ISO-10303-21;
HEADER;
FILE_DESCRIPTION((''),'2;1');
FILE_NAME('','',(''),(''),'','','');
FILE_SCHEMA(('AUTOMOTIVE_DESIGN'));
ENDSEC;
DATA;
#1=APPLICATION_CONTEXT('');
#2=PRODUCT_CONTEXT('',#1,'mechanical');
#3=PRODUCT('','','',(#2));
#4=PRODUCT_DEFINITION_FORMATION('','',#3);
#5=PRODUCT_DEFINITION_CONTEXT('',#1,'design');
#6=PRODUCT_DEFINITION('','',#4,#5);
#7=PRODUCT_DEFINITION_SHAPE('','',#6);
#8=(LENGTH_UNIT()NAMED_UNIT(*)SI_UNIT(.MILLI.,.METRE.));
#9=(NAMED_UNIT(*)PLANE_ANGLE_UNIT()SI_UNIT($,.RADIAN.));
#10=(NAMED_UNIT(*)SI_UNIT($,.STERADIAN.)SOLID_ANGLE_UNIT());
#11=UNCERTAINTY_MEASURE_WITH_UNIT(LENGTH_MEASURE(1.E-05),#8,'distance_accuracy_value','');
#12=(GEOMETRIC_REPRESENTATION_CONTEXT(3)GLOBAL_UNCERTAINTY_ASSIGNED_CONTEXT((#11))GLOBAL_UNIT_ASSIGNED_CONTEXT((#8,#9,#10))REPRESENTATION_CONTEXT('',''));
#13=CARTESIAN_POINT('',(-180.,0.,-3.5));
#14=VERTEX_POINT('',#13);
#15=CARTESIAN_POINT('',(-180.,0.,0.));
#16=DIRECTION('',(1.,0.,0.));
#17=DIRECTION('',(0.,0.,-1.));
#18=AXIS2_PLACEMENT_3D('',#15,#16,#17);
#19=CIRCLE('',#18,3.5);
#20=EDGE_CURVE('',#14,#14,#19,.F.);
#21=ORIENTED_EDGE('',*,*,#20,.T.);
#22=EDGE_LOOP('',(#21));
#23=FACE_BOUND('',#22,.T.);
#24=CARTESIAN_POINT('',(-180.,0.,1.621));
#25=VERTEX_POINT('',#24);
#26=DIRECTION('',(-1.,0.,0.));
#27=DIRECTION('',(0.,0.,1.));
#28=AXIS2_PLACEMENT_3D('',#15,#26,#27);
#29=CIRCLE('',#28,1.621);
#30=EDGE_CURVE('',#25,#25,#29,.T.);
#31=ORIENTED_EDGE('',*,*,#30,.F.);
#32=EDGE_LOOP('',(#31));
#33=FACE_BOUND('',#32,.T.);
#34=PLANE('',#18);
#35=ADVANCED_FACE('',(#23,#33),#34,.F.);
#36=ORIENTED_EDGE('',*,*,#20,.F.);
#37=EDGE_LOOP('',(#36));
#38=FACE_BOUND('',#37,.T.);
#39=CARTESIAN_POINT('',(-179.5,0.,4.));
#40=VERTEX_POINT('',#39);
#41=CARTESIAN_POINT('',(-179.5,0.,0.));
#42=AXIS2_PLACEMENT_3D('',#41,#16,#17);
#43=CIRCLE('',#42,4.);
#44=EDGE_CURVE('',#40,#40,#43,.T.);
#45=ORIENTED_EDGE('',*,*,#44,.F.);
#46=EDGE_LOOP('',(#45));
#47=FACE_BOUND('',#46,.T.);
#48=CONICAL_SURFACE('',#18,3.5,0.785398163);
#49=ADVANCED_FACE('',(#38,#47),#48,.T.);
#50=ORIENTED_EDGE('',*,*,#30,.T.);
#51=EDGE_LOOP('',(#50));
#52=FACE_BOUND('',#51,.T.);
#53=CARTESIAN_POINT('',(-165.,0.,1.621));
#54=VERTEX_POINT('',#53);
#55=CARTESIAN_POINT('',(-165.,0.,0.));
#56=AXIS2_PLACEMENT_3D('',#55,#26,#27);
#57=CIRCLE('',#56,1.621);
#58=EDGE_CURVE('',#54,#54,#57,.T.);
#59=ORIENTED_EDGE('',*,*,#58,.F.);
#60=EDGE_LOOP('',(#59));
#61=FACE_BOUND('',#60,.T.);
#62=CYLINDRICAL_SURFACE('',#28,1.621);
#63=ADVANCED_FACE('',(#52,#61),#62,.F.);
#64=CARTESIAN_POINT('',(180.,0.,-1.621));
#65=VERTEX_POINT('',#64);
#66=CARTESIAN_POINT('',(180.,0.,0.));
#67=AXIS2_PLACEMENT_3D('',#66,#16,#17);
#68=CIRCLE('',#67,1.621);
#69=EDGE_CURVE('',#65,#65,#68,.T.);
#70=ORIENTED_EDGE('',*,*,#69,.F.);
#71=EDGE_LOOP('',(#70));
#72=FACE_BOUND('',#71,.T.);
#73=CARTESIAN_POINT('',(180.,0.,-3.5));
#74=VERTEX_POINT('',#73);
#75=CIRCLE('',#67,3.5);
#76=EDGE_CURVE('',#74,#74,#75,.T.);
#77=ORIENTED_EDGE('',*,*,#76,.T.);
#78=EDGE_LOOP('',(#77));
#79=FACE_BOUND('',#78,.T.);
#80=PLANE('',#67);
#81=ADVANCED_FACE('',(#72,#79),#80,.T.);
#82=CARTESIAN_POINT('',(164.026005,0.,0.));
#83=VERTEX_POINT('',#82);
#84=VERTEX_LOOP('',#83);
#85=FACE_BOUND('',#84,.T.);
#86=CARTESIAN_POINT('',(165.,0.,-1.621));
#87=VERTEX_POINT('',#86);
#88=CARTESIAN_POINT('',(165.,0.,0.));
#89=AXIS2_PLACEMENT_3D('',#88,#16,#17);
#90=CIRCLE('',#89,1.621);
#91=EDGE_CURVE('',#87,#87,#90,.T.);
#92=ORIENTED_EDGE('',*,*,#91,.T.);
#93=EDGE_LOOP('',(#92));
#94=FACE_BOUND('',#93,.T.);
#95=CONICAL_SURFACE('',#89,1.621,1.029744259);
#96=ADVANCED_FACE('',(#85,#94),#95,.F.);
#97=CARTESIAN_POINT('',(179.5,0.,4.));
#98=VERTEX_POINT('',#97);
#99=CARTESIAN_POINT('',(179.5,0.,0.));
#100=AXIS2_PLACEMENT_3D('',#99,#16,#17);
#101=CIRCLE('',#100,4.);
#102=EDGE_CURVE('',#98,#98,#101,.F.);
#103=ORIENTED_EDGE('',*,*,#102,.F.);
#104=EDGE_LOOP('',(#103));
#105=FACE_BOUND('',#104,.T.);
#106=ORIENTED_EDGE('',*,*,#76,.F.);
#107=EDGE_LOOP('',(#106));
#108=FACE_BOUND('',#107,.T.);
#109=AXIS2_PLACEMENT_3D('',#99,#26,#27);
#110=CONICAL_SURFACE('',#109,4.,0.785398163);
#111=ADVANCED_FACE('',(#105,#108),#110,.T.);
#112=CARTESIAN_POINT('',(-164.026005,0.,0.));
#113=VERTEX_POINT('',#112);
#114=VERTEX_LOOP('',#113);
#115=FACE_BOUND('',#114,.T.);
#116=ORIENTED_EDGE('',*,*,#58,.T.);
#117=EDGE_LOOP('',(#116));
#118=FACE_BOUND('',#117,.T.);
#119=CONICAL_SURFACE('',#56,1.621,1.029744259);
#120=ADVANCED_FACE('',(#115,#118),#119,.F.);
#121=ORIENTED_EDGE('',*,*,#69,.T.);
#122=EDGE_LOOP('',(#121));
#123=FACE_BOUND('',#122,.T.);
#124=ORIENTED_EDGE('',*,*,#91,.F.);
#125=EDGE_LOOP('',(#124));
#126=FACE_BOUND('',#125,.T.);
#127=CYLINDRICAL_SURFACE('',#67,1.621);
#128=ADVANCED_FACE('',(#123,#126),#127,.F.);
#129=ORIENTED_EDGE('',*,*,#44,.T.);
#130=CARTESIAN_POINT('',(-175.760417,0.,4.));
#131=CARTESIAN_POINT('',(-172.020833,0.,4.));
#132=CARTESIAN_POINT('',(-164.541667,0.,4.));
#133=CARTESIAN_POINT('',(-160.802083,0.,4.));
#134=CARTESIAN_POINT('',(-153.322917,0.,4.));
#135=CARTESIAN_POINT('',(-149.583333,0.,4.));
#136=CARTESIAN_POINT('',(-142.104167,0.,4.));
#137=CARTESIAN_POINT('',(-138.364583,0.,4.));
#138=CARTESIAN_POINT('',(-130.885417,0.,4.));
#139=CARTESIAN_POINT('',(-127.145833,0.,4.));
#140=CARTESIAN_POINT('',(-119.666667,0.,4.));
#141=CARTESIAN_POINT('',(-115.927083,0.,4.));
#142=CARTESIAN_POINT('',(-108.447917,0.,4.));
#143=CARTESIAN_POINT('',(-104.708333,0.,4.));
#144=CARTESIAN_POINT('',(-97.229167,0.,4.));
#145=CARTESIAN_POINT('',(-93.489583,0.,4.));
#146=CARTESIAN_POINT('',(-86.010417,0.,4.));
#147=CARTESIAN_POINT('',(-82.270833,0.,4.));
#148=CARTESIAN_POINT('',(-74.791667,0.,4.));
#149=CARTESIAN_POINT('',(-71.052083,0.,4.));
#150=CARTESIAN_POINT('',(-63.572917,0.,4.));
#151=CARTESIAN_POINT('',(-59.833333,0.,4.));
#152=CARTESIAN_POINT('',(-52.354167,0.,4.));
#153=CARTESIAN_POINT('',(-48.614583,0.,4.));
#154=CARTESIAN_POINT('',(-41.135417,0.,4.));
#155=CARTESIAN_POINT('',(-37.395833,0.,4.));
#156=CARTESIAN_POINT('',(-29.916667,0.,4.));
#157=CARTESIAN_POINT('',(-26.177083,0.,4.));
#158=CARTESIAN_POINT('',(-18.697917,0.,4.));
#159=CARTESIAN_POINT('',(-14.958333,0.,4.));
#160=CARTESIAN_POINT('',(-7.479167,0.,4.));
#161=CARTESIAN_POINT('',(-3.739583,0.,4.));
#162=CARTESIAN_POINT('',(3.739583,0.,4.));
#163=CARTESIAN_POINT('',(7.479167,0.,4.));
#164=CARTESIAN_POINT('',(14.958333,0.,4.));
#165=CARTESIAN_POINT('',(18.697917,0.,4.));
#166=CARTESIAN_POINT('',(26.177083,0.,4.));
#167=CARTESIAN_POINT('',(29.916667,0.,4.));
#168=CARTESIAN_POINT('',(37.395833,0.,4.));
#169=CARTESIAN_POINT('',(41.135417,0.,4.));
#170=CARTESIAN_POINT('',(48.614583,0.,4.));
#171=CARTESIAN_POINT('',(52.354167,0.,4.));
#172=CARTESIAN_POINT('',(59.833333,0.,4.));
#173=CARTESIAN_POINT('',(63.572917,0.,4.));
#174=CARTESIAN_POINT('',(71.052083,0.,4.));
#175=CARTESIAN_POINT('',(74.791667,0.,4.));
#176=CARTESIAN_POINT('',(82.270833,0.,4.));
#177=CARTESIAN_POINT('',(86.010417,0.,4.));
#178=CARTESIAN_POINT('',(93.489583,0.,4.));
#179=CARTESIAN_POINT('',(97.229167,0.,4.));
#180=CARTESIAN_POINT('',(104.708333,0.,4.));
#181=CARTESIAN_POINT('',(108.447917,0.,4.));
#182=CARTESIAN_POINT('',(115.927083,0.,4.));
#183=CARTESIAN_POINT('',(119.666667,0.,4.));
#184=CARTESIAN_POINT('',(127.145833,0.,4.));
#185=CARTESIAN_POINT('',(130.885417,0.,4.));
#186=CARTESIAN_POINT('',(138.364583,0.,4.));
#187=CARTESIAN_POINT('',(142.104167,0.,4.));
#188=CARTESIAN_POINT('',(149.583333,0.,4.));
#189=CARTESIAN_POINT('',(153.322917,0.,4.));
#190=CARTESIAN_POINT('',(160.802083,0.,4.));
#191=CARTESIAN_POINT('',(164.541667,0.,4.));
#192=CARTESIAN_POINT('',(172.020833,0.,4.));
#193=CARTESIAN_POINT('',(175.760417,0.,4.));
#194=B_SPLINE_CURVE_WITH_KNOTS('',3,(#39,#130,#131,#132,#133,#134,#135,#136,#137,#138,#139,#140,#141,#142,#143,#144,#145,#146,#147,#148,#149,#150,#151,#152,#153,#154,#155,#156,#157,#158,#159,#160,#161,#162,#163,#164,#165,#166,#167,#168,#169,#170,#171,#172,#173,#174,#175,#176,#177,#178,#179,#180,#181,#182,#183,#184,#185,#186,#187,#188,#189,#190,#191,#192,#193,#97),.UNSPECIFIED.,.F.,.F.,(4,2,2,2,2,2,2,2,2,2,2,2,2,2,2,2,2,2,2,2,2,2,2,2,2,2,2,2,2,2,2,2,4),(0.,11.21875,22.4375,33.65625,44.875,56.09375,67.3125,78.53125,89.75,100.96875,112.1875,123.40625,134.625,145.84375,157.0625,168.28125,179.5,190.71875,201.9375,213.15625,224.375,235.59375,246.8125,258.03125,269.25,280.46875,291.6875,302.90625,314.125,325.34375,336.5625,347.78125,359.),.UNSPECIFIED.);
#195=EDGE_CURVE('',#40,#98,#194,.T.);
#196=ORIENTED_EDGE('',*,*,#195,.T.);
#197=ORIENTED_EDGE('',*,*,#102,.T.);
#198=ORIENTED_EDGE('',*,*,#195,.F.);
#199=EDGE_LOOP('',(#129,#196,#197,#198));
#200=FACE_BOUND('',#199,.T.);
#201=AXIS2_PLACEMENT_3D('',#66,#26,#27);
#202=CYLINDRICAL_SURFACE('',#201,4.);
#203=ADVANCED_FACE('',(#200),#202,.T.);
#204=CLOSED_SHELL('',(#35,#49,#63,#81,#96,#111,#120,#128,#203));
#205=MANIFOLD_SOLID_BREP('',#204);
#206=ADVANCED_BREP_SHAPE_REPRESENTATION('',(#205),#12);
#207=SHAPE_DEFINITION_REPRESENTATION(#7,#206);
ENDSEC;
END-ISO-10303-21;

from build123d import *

# Parameters (mm, degrees)
SKETCH1_R                = 4
BOSS_EXTRUDE1_DEPTH      = 180
M3_CLEARANCE_HOLE1_D     = 3.242
M3_CLEARANCE_HOLE1_DEPTH = 15
M3_CLEARANCE_HOLE1_TIP   = 0.973995063
M3_CLEARANCE_HOLE2_D     = 3.242
M3_CLEARANCE_HOLE2_DEPTH = 15
M3_CLEARANCE_HOLE2_TIP   = 0.973995063
CHAMFER1_SIZE            = 0.5


with BuildPart() as part:
    # Sketch1 → Boss-Extrude1 (new, symmetric)
    with BuildSketch(Plane(origin=(0, 0, 0), x_dir=(0, -1, 0), z_dir=(-1, 0, 0))):
        with Locations(Location((0, 0, 0), (0, 0, 90))):
            Circle(SKETCH1_R)
    extrude(amount=BOSS_EXTRUDE1_DEPTH, both=True)

    # M3 Clearance Hole1
    with Locations(Plane(origin=(180, 0, 0), x_dir=(0, 0, -1), z_dir=(1, 0, 0))):
        with Locations((0, 0)):
            Hole(M3_CLEARANCE_HOLE1_D / 2, depth=M3_CLEARANCE_HOLE1_DEPTH)
            with Locations((0, 0, -(M3_CLEARANCE_HOLE1_DEPTH + M3_CLEARANCE_HOLE1_TIP / 2))):  # 118° drill point
                Cone(0, M3_CLEARANCE_HOLE1_D / 2, M3_CLEARANCE_HOLE1_TIP, mode=Mode.SUBTRACT)

    # M3 Clearance Hole2
    with Locations(Plane.ZY.offset(180)):
        with Locations((0, 0)):
            Hole(M3_CLEARANCE_HOLE2_D / 2, depth=M3_CLEARANCE_HOLE2_DEPTH)
            with Locations((0, 0, -(M3_CLEARANCE_HOLE2_DEPTH + M3_CLEARANCE_HOLE2_TIP / 2))):  # 118° drill point
                Cone(0, M3_CLEARANCE_HOLE2_D / 2, M3_CLEARANCE_HOLE2_TIP, mode=Mode.SUBTRACT)

    # Chamfer1
    chamfer1_edges = [part.edges().sort_by_distance(p)[0] for p in [
        (-180, 0, -4),
        (180, 0, -4),
    ]]
    chamfer(chamfer1_edges, length=CHAMFER1_SIZE)


solid = part.part
